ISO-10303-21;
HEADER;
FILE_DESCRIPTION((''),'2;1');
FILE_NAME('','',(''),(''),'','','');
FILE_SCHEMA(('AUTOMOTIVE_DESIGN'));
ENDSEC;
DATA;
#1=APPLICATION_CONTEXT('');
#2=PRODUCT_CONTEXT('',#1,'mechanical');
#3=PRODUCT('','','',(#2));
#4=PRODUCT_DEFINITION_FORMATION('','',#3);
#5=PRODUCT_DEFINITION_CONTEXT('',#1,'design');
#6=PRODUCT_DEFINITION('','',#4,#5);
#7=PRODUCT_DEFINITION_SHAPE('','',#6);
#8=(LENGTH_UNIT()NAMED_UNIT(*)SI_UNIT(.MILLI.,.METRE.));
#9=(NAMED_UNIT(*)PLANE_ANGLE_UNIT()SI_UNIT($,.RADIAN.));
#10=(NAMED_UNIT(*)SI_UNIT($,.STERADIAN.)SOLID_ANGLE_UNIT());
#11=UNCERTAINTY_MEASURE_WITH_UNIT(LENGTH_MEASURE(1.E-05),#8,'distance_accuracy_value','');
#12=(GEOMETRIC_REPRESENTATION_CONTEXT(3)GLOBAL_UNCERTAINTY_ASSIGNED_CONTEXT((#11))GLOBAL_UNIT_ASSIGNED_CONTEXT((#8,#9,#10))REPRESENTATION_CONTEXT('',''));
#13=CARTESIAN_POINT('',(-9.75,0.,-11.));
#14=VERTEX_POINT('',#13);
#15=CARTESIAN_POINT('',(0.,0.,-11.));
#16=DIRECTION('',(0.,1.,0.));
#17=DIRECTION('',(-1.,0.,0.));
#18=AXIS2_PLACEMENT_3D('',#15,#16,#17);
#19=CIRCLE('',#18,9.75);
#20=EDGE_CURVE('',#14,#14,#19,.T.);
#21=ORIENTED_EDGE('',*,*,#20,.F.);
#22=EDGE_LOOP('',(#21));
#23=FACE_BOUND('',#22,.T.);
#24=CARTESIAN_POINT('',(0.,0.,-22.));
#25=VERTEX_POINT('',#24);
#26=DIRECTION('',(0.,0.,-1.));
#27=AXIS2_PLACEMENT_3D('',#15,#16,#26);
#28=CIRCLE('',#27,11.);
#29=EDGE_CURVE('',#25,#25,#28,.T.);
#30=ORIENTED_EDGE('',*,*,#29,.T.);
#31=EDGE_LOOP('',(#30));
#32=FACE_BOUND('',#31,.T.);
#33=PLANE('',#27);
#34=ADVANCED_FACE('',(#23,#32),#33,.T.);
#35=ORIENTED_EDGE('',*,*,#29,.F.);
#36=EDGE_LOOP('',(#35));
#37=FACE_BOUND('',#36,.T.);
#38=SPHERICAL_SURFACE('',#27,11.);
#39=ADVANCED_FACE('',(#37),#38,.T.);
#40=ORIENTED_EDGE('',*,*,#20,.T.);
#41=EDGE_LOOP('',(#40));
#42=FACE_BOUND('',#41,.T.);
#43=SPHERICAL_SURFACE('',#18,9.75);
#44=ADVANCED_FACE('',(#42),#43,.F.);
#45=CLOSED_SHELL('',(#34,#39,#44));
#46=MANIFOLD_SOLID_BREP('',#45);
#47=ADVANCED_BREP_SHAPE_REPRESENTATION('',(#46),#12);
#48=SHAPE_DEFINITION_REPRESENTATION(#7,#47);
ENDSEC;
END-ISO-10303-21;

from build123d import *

# Parameters (mm, degrees)
REVOLVE1_ANGLE = 180
SHELL1_T       = -1.25


with BuildPart() as part:
    # Sketch1 → Revolve1 (revolve)
    with BuildSketch(Plane(origin=(0, 0, 0), x_dir=(1, 0, 0), z_dir=(0, 1, 0))):
        with BuildLine():
            Line((0, 0), (0, 22))
            ThreePointArc((0, 22), (11, 11), (0, 0))
        make_face()
    revolve(axis=Axis((0, 0, 0), (0, 0, -1)), revolution_arc=REVOLVE1_ANGLE)

    # Shell1
    shell1_openings = [part.faces().sort_by_distance(p)[0] for p in [
        (0, 0, -11),
    ]]
    offset(amount=SHELL1_T, openings=shell1_openings)


solid = part.part
